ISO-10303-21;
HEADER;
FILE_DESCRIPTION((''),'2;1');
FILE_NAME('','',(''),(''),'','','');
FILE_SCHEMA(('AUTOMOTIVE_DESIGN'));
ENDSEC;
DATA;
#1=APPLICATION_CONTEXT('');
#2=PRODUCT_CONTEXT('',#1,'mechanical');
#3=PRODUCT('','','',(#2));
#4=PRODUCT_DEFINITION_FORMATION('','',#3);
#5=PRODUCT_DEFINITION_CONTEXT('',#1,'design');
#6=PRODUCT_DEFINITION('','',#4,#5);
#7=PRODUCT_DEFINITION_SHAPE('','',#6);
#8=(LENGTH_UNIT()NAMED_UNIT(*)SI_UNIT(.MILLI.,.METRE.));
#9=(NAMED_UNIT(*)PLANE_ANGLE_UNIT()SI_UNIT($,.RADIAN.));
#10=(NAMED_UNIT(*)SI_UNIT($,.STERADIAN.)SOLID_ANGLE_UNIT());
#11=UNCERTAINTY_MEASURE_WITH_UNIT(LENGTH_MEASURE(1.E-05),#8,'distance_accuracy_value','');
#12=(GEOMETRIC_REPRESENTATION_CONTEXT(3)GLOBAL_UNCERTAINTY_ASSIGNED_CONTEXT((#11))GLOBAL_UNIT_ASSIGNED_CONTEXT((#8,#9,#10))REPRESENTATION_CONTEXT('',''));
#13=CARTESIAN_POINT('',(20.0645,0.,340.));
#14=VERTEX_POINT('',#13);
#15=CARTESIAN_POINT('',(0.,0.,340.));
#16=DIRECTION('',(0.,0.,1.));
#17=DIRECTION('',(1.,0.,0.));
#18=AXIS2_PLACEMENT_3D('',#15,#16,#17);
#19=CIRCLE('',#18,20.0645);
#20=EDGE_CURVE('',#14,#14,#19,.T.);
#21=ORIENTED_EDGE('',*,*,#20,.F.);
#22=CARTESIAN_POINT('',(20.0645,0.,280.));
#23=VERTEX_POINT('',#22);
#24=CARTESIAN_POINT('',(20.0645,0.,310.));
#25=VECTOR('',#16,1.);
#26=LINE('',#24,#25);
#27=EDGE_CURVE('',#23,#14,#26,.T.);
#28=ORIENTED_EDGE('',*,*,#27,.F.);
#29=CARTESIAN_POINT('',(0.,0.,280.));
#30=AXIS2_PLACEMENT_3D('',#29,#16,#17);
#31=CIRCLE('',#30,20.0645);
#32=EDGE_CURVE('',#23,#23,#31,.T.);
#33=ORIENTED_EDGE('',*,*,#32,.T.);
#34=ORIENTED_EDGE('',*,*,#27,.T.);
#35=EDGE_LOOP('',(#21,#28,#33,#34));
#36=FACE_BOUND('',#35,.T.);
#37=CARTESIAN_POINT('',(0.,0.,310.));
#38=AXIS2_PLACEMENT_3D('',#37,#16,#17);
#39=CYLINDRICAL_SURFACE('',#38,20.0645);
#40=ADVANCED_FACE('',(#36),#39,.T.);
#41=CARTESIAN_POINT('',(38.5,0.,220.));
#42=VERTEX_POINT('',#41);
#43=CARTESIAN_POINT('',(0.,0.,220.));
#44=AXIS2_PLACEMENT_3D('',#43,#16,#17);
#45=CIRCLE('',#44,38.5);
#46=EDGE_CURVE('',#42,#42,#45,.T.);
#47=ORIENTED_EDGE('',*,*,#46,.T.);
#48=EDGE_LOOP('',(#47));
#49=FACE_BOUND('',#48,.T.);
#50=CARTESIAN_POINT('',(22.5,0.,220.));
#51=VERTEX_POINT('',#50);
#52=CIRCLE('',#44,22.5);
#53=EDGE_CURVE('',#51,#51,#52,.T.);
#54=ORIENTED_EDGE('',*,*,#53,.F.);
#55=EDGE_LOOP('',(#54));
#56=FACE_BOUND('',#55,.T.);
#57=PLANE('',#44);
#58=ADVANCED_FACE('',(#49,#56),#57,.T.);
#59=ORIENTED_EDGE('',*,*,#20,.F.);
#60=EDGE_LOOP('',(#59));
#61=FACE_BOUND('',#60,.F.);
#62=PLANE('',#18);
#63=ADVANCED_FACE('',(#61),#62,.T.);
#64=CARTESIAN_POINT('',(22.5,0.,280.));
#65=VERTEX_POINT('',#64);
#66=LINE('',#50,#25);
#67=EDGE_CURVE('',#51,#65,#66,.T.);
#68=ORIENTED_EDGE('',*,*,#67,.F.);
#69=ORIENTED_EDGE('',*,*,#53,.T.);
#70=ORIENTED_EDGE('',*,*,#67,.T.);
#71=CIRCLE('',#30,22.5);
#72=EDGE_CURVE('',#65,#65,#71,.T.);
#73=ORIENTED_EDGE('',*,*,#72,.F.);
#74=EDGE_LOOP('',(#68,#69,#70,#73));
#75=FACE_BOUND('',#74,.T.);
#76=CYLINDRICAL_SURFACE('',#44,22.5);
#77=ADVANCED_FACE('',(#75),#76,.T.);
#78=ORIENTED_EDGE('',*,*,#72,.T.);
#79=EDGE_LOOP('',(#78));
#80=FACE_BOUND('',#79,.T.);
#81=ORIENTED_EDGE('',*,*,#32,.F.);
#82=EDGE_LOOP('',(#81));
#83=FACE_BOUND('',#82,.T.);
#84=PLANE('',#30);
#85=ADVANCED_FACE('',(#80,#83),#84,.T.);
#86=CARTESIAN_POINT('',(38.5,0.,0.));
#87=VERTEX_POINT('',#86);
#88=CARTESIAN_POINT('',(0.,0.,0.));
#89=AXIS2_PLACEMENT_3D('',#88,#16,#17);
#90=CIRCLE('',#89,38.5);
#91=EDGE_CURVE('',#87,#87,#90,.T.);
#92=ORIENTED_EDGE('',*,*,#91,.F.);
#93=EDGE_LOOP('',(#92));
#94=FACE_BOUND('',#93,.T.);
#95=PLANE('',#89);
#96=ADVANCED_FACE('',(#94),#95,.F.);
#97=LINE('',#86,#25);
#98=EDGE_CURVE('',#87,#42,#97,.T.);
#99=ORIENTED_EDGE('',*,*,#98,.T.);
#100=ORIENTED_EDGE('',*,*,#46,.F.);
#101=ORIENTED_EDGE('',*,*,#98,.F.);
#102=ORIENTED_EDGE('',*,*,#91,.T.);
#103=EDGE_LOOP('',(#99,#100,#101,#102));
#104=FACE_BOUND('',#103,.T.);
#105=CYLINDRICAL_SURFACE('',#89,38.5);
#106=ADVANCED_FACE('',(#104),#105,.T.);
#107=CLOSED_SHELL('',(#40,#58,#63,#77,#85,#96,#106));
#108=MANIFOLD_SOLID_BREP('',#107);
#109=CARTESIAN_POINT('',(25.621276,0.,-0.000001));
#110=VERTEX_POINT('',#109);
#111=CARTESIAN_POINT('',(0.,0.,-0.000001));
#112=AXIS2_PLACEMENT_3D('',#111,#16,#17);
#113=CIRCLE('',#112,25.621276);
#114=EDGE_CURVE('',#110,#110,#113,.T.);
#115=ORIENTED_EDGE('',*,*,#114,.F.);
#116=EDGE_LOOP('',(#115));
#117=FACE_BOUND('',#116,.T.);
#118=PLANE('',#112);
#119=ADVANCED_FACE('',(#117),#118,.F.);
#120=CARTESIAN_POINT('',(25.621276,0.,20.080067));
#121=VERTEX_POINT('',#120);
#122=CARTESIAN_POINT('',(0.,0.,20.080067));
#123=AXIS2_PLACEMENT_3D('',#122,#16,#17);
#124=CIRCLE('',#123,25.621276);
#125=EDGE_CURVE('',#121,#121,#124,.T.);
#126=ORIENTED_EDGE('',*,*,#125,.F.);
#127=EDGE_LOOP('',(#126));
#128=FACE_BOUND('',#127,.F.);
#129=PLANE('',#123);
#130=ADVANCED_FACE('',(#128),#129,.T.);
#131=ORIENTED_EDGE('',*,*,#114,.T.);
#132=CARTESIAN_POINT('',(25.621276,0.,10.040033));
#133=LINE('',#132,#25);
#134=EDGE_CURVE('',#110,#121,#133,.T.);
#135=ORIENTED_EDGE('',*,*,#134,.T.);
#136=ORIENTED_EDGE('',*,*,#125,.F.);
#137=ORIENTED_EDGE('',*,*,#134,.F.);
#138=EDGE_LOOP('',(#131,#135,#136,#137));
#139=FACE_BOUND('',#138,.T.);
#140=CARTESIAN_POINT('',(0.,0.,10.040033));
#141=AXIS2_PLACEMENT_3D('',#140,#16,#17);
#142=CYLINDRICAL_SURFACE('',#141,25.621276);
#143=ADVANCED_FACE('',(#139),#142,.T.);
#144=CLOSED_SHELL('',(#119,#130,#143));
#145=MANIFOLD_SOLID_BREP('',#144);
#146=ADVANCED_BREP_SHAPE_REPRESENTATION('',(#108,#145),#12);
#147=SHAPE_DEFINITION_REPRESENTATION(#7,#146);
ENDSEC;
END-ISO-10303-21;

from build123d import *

# Parameters (mm, degrees)
F0_W = 20.0645
F0_H = 60
F2_W = 25.621276
F2_H = 20.080067


with BuildPart() as f1:
    # F0 (on Front) → F1 (revolve)
    with BuildSketch(Plane.XZ):
        Polygon((0, 280), (0, 220), (22.5, 220), (22.5, 280), (20.0645, 280), align=None)
        with Locations((10.03225, 310)):
            Rectangle(F0_W, F0_H)
        Polygon((0, 86.328298), (0, 0), (38.5, 0), (38.5, 220), (22.5, 220), (0, 220), align=None)
    revolve(axis=Axis((0, 0, 43.164149), (0, 0, 1)))


with BuildPart() as f3:
    # F2 (on Front) → F3 (revolve)
    with BuildSketch(Plane.XZ):
        with Locations((12.810638, 10.040033)):
            Rectangle(F2_W, F2_H)
    revolve(axis=Axis((0, 0, 10.040034), (0, 0, 1)))


solid = Compound([f1.part, f3.part])
